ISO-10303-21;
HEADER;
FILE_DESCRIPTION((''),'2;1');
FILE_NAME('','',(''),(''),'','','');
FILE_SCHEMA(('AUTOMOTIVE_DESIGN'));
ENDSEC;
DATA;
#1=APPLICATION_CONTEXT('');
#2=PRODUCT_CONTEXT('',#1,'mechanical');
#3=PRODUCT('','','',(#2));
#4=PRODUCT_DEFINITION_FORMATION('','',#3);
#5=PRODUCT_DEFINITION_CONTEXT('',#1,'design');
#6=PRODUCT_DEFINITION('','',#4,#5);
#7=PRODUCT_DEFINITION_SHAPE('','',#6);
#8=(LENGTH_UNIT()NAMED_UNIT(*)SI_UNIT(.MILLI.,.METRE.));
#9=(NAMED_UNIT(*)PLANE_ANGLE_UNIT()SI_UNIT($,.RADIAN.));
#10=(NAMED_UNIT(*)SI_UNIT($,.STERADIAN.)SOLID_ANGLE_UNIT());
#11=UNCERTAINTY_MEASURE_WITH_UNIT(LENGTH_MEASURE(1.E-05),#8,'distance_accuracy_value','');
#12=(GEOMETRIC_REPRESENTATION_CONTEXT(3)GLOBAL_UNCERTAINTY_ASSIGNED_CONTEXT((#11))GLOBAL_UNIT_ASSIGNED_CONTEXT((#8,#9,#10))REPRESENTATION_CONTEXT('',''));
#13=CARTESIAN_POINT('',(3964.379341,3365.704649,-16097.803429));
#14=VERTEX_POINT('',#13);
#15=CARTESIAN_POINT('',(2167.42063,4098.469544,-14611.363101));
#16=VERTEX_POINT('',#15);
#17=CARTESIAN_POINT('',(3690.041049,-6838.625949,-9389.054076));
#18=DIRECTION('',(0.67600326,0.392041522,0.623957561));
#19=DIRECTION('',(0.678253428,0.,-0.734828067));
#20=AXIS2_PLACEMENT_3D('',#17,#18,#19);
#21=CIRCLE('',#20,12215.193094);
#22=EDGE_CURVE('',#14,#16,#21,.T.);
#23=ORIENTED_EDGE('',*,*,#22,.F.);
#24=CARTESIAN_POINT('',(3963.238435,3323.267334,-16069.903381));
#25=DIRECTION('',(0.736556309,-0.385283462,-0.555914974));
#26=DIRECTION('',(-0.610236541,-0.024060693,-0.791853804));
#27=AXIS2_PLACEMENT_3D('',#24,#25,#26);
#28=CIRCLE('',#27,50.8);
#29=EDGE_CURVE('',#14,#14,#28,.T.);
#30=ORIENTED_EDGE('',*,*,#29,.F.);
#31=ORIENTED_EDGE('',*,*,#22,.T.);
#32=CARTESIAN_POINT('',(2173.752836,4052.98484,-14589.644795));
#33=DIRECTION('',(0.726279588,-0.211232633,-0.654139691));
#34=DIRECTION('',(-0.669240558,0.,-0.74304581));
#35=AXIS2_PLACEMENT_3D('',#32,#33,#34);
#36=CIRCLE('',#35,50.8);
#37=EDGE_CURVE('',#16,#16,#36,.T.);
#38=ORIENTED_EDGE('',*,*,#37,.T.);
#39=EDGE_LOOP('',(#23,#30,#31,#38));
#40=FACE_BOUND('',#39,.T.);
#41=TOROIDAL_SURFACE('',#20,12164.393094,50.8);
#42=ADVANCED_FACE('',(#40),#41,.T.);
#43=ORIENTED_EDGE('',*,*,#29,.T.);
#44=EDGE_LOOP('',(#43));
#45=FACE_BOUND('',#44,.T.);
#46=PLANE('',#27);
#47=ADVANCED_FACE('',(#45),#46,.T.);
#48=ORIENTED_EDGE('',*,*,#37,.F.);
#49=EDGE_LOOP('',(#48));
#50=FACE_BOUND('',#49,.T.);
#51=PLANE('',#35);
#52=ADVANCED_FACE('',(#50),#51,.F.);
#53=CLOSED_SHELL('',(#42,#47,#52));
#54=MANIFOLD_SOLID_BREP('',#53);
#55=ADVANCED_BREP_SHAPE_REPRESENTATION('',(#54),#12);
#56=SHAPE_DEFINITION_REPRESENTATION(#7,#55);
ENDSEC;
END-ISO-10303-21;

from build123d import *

# Parameters (mm, degrees)
SKETCH2_R = 50.8


with BuildPart() as part:
    # Sweep1: sweep along a path in Sketch1
    with BuildLine(Plane(origin=(-4086.383481233, -2369.858396088, -3771.771559598), x_dir=(0.539756739106947, 0.3130266764957875, -0.7814582281802636), z_dir=(0.6760032597217907, 0.392041522336793, 0.6239575607438083))) as sweep1_path:
        ThreePointArc((13843.18808764, 2415.522064159), (14828.644823202, 1698.528519634), (15737.414205906, 886.529178739))
    # Sketch2 → Sweep1 (sweep)
    with BuildSketch(Plane(origin=(7456.200783007, -2168.576607043, -6715.591289781), x_dir=(-0.6281131498914002, 0.18268170655153057, -0.7563737601377535), z_dir=(0.7262795878545545, -0.21123263311037527, -0.6541396907198617))):
        with Locations((10410.267939115, 4498.791303286)):
            Circle(SKETCH2_R)
    sweep(path=sweep1_path.line)


solid = part.part
